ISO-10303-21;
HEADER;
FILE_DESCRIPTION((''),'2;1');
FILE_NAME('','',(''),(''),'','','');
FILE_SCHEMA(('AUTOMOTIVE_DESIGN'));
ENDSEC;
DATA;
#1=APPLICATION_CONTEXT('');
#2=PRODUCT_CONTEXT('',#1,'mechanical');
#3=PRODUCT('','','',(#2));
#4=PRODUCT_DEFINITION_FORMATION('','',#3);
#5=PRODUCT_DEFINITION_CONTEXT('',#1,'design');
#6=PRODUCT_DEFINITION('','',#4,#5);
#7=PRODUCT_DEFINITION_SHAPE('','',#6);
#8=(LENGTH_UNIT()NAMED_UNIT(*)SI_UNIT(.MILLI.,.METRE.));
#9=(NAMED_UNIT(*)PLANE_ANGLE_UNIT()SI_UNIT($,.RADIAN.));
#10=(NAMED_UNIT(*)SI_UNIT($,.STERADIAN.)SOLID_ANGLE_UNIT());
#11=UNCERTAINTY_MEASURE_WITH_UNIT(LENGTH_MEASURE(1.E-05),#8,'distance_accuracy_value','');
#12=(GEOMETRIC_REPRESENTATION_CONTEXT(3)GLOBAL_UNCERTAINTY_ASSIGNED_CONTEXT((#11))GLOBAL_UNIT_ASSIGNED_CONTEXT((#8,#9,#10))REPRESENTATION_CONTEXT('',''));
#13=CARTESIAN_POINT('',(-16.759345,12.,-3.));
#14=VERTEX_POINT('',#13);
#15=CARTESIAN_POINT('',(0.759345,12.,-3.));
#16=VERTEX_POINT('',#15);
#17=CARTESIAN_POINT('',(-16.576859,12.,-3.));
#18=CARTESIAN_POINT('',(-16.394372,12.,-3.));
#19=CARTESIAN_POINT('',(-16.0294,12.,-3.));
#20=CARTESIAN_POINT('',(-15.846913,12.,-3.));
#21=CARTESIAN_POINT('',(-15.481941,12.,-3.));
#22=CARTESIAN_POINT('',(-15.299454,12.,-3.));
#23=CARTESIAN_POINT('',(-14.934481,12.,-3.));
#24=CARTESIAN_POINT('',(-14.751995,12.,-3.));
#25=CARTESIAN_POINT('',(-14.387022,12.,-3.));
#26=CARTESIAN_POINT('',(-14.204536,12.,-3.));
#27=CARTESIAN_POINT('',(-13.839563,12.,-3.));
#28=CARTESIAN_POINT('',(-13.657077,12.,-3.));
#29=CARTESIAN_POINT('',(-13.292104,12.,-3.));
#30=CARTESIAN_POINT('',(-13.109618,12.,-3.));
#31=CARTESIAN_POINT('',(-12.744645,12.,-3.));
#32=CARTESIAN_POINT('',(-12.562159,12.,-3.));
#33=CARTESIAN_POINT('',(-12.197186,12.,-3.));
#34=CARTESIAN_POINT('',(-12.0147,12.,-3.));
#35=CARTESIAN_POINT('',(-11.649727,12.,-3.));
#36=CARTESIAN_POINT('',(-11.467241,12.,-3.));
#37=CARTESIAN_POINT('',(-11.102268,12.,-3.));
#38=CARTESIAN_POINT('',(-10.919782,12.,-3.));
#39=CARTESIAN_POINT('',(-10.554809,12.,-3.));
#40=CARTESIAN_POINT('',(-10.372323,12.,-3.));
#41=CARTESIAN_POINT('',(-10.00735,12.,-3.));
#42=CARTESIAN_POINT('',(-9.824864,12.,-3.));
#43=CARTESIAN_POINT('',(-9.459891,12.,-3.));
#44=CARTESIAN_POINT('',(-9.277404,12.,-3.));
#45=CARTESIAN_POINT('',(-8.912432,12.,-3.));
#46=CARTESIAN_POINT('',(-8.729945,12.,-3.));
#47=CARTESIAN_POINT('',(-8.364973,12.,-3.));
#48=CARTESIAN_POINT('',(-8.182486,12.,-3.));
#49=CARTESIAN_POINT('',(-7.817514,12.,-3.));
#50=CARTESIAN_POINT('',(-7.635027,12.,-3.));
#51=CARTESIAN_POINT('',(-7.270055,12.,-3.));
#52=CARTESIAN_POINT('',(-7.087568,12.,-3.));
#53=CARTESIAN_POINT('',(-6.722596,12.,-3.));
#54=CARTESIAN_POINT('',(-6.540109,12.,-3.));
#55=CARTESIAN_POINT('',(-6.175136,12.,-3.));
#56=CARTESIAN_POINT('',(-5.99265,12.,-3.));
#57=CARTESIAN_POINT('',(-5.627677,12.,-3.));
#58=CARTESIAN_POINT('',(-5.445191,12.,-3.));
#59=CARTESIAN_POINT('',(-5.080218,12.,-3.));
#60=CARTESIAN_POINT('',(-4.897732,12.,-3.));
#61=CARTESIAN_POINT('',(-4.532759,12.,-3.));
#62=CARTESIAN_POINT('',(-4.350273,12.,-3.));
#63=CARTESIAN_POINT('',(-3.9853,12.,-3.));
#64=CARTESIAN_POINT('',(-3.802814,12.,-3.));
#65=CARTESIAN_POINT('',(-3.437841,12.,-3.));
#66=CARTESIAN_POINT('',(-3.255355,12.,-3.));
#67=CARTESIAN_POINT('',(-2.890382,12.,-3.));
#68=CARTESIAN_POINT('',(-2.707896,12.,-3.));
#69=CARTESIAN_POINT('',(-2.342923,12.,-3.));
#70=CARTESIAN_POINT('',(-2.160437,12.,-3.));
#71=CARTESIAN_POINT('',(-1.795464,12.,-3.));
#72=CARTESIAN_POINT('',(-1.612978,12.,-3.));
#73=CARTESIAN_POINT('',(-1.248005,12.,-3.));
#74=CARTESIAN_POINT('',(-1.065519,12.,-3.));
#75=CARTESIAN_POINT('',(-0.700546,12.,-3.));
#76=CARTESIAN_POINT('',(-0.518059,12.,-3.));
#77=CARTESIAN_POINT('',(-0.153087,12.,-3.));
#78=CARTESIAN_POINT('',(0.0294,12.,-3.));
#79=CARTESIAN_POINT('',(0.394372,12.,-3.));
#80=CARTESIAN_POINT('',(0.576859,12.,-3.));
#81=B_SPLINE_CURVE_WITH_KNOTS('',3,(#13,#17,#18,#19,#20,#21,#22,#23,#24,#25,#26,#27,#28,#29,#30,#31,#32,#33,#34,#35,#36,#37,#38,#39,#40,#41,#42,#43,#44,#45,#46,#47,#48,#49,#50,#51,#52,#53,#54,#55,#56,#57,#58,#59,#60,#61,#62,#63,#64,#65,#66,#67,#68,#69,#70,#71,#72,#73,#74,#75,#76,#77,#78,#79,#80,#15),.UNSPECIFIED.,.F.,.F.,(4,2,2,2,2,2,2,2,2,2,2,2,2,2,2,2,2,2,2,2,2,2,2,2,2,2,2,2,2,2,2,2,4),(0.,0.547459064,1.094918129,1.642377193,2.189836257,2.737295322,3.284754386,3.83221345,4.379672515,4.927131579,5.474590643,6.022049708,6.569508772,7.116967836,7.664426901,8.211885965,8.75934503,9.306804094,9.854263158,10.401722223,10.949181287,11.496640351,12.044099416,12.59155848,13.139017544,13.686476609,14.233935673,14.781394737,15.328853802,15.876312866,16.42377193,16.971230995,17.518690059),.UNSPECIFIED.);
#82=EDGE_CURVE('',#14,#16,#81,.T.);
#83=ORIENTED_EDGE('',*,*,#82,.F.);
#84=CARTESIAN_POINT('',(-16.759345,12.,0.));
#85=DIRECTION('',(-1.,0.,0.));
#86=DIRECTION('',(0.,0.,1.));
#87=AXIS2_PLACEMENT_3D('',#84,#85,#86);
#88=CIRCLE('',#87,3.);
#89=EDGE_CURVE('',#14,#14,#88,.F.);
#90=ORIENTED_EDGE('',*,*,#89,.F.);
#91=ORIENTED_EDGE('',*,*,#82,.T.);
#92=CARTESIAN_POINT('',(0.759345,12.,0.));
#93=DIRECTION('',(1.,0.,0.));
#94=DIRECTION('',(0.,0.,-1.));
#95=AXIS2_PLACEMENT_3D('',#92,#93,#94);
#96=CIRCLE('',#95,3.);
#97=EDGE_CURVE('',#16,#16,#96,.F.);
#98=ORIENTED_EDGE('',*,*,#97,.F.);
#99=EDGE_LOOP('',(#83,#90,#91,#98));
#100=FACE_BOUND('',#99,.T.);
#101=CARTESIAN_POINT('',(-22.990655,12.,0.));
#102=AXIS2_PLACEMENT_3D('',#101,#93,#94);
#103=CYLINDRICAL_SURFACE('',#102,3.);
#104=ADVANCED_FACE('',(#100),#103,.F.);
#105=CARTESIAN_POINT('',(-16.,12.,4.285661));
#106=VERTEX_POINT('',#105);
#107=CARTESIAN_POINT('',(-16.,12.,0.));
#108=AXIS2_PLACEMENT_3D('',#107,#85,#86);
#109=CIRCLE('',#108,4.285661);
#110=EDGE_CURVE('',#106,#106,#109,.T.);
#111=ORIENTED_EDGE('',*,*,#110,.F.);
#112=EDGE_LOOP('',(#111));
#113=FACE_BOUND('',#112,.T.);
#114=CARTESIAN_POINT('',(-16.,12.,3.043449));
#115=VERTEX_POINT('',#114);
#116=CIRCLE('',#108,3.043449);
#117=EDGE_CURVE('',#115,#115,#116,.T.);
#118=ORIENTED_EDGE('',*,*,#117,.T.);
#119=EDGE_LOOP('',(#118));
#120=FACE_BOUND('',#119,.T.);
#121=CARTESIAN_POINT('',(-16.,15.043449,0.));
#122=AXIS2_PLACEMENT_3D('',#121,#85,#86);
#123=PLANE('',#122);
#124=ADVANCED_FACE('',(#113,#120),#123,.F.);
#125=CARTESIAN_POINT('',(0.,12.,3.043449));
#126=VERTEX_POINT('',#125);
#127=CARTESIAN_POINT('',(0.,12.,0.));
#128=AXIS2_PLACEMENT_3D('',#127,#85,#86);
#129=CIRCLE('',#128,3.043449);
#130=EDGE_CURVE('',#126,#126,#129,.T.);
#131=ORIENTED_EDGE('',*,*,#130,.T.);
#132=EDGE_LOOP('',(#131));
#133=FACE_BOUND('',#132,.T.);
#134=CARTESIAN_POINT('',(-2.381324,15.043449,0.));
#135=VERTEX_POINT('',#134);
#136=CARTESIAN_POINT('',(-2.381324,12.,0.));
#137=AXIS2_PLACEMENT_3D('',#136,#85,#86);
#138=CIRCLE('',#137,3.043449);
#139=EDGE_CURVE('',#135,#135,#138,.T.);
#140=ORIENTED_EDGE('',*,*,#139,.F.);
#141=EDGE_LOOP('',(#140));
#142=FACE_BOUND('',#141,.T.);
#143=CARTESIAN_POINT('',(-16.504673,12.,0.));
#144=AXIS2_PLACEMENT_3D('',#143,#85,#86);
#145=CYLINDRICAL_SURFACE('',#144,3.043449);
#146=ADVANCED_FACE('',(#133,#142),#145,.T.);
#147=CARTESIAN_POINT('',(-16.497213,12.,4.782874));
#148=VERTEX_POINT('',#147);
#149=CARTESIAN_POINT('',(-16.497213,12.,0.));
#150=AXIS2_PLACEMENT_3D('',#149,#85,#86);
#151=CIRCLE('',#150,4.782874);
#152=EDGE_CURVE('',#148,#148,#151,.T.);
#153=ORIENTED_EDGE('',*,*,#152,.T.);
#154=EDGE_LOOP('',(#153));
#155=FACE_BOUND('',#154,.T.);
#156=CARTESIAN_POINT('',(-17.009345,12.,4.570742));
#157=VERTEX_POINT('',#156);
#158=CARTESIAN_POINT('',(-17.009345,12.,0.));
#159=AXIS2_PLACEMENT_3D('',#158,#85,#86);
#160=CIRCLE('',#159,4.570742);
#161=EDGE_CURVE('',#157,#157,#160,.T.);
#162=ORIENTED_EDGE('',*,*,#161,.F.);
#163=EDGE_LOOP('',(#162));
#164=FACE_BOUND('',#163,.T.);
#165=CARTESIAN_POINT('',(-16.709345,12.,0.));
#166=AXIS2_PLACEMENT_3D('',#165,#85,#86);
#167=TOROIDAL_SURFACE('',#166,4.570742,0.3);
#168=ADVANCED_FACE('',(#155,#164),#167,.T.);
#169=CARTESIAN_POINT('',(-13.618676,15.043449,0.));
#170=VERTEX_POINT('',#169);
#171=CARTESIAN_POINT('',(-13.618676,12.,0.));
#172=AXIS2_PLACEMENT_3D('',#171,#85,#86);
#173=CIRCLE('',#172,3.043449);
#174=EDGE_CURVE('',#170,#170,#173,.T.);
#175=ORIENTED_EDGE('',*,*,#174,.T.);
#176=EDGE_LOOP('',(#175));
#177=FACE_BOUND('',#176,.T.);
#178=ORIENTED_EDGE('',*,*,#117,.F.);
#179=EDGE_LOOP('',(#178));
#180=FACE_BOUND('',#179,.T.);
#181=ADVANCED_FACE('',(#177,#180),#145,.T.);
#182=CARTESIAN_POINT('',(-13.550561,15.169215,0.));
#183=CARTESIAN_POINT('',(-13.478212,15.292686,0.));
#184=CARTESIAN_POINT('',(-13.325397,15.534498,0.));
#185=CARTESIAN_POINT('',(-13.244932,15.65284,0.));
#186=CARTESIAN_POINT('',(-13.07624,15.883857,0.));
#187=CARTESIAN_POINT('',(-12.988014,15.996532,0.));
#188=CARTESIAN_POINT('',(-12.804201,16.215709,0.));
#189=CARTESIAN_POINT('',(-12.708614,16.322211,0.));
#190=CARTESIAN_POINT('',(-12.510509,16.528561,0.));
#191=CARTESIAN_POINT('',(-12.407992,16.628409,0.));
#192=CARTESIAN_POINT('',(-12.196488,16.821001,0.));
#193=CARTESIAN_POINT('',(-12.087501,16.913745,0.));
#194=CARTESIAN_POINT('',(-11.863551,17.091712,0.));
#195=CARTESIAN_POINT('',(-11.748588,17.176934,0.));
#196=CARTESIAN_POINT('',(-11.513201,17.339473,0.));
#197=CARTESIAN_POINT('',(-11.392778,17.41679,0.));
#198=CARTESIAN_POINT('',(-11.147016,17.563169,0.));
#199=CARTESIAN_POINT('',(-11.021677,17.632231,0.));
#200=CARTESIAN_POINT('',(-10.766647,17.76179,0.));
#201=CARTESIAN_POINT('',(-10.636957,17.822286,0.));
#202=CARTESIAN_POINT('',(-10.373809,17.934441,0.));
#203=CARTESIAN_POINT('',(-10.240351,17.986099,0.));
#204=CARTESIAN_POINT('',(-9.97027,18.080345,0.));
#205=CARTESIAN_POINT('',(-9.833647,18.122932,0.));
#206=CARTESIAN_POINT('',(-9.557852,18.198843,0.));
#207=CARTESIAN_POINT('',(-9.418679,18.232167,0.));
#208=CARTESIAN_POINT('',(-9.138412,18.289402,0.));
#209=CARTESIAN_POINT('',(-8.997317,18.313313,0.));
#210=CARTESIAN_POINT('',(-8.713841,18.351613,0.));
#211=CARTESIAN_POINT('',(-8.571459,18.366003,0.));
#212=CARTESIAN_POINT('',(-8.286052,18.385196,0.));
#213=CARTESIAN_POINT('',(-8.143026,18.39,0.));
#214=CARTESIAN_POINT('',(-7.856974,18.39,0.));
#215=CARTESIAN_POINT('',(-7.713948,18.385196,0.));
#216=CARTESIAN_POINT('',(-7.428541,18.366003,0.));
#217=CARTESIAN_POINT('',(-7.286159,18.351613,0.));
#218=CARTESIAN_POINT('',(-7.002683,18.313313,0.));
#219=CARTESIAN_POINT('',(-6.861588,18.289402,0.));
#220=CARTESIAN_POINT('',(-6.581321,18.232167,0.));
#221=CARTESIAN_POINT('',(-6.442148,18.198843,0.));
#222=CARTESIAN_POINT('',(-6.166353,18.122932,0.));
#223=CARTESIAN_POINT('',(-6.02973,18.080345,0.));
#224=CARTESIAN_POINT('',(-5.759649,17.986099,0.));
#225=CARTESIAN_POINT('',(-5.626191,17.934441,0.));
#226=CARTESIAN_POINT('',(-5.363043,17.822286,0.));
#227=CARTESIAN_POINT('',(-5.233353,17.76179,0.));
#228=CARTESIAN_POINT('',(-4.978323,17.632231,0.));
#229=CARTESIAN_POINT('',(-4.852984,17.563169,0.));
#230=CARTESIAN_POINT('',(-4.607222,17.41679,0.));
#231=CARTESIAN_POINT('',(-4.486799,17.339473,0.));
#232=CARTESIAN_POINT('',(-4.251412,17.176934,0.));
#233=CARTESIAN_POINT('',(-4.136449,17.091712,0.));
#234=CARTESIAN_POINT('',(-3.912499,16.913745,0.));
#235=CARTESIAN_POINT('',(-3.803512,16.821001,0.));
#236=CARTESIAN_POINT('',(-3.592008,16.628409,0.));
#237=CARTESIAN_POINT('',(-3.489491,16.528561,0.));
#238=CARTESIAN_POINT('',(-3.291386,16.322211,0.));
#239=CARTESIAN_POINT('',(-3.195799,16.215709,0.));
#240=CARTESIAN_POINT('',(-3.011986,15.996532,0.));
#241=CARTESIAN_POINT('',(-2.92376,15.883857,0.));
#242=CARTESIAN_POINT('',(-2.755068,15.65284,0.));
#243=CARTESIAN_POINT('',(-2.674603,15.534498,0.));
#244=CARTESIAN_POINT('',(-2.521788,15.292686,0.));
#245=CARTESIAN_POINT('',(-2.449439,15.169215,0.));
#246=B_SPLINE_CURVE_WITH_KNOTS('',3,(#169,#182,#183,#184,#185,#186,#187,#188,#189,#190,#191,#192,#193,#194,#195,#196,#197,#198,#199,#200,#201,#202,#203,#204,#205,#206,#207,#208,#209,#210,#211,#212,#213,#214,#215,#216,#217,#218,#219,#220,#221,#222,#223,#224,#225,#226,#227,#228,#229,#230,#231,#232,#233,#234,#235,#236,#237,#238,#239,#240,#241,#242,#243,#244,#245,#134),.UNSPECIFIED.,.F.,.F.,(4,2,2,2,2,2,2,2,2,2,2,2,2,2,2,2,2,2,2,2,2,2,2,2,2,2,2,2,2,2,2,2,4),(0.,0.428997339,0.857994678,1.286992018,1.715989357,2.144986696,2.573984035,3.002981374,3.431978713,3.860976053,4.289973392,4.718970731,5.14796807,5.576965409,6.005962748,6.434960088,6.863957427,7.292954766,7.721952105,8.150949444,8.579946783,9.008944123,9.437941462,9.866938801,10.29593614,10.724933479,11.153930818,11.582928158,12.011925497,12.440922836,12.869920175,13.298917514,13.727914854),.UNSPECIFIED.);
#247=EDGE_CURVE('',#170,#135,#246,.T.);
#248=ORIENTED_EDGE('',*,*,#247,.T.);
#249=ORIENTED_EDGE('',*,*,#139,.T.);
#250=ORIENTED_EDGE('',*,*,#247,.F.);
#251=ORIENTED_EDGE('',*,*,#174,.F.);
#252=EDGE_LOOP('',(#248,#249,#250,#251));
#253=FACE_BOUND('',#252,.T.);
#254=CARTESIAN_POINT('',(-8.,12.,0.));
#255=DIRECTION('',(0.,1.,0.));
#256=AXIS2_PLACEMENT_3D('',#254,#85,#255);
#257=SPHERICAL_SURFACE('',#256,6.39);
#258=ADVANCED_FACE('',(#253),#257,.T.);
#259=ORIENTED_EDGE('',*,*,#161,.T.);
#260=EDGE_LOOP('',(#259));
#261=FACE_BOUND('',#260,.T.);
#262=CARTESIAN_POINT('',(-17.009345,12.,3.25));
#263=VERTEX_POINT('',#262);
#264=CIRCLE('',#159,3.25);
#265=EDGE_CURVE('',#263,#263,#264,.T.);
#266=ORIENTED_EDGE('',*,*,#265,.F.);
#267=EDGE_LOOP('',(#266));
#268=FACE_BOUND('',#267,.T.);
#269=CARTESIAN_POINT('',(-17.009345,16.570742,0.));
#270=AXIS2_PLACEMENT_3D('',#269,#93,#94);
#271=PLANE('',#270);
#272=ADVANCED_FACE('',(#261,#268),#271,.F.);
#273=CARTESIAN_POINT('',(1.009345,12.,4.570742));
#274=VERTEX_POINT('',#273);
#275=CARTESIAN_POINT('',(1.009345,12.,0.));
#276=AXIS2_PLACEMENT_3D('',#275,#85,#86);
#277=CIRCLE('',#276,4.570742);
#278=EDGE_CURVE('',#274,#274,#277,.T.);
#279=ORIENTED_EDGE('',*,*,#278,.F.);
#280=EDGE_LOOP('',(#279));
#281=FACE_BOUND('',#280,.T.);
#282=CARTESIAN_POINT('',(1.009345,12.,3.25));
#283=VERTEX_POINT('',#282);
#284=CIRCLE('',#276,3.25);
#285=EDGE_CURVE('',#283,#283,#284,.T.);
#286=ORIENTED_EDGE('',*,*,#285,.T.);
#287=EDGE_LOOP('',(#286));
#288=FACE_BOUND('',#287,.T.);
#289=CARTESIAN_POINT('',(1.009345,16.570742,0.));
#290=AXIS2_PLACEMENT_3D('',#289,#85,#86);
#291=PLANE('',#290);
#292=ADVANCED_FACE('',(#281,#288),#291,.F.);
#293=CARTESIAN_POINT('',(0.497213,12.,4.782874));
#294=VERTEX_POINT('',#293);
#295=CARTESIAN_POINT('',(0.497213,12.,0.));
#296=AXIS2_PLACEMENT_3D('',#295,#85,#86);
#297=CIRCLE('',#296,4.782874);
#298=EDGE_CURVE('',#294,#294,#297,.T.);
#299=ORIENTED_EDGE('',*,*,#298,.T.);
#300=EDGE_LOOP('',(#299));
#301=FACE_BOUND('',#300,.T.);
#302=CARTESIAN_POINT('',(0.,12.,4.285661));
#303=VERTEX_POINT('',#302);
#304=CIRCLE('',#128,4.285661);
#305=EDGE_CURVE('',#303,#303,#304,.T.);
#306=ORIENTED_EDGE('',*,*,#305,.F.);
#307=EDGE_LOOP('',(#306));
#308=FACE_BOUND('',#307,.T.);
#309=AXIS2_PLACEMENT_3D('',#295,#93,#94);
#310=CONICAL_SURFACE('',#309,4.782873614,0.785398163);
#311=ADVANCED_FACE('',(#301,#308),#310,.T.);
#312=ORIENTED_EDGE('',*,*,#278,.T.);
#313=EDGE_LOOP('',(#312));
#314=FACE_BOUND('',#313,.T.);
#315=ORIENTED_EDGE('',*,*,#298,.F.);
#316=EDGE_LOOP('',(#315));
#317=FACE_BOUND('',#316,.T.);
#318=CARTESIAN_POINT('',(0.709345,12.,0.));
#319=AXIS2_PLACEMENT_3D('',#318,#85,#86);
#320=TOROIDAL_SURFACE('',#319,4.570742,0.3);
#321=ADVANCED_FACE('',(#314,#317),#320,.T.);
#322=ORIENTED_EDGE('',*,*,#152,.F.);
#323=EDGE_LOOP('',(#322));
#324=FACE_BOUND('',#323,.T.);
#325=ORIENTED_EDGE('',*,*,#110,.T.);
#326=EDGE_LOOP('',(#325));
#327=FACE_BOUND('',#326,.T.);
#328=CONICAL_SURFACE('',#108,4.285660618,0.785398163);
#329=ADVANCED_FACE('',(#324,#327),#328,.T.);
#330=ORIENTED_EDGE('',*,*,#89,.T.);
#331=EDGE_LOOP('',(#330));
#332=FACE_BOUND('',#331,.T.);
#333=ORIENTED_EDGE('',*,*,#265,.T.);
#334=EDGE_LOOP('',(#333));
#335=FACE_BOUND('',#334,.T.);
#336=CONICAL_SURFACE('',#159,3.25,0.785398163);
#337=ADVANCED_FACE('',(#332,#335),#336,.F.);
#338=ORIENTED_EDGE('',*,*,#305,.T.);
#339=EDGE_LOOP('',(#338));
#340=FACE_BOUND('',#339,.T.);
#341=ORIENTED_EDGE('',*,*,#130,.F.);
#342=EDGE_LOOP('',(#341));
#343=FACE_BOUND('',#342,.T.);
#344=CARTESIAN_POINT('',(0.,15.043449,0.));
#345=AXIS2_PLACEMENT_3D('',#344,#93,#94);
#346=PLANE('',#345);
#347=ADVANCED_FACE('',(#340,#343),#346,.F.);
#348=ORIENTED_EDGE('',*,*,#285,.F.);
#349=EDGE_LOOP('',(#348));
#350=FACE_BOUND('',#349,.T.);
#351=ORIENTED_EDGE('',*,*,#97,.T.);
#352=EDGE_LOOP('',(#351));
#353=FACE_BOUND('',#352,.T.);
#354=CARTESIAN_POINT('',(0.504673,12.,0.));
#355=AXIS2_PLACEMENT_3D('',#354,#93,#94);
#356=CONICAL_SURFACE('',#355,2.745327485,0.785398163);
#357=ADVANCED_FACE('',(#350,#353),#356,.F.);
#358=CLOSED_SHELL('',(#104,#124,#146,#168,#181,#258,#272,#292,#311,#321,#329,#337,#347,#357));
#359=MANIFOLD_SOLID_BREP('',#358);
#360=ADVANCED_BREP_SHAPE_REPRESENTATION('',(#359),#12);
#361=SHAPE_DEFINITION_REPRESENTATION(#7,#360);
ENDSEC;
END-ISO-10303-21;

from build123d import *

# Parameters (mm, degrees)
SKETCH3_R          = 3
CUT_EXTRUDE4_DEPTH = 24


with BuildPart() as part:
    # Sketch2 → Revolve2 (revolve)
    with BuildSketch(Plane.XY, mode=Mode.PRIVATE) as revolve2_sk:
        with BuildLine():
            Line((-13.618675666, 15.043449319), (-16, 15.043449319))
            Line((-16, 15.043449319), (-16, 16.285660618))
            Line((-16, 16.285660618), (-16.497212995, 16.782873614))
            ThreePointArc((-16.497212995, 16.782873614), (-16.824150059, 16.847905439), (-17.00934503, 16.570741579))
            Line((-17.00934503, 16.570741579), (-17.00934503, 15.25))
            Line((-17.00934503, 15.25), (-16.504672515, 14.745327485))
            Line((-16.504672515, 14.745327485), (-16.504672515, 12))
            Line((-16.504672515, 12), (0.504672515, 12))
            Line((0.504672515, 12), (0.504672515, 14.745327485))
            Line((0.504672515, 14.745327485), (1.00934503, 15.25))
            Line((1.00934503, 15.25), (1.00934503, 16.570741579))
            ThreePointArc((1.00934503, 16.570741579), (0.824150059, 16.847905439), (0.497212995, 16.782873614))
            Line((0.497212995, 16.782873614), (0, 16.285660618))
            Line((0, 16.285660618), (0, 15.043449319))
            Line((0, 15.043449319), (-2.381324334, 15.043449319))
            ThreePointArc((-2.381324334, 15.043449319), (-8, 18.39), (-13.618675666, 15.043449319))
        make_face()
    revolve(revolve2_sk.sketch.rotate(Axis((-16.504672515, 12, 0), (1, 0, 0)), 90), axis=Axis((-16.504672515, 12, 0), (1, 0, 0)))

    # Sketch3 → Cut-Extrude4 (cut)
    with BuildSketch(Plane(origin=(1.00934503, 0, 0), x_dir=(0, 0, -1), z_dir=(1, 0, 0))):
        with Locations((0, 12)):
            Circle(SKETCH3_R)
    extrude(amount=-CUT_EXTRUDE4_DEPTH, mode=Mode.SUBTRACT)


solid = part.part
